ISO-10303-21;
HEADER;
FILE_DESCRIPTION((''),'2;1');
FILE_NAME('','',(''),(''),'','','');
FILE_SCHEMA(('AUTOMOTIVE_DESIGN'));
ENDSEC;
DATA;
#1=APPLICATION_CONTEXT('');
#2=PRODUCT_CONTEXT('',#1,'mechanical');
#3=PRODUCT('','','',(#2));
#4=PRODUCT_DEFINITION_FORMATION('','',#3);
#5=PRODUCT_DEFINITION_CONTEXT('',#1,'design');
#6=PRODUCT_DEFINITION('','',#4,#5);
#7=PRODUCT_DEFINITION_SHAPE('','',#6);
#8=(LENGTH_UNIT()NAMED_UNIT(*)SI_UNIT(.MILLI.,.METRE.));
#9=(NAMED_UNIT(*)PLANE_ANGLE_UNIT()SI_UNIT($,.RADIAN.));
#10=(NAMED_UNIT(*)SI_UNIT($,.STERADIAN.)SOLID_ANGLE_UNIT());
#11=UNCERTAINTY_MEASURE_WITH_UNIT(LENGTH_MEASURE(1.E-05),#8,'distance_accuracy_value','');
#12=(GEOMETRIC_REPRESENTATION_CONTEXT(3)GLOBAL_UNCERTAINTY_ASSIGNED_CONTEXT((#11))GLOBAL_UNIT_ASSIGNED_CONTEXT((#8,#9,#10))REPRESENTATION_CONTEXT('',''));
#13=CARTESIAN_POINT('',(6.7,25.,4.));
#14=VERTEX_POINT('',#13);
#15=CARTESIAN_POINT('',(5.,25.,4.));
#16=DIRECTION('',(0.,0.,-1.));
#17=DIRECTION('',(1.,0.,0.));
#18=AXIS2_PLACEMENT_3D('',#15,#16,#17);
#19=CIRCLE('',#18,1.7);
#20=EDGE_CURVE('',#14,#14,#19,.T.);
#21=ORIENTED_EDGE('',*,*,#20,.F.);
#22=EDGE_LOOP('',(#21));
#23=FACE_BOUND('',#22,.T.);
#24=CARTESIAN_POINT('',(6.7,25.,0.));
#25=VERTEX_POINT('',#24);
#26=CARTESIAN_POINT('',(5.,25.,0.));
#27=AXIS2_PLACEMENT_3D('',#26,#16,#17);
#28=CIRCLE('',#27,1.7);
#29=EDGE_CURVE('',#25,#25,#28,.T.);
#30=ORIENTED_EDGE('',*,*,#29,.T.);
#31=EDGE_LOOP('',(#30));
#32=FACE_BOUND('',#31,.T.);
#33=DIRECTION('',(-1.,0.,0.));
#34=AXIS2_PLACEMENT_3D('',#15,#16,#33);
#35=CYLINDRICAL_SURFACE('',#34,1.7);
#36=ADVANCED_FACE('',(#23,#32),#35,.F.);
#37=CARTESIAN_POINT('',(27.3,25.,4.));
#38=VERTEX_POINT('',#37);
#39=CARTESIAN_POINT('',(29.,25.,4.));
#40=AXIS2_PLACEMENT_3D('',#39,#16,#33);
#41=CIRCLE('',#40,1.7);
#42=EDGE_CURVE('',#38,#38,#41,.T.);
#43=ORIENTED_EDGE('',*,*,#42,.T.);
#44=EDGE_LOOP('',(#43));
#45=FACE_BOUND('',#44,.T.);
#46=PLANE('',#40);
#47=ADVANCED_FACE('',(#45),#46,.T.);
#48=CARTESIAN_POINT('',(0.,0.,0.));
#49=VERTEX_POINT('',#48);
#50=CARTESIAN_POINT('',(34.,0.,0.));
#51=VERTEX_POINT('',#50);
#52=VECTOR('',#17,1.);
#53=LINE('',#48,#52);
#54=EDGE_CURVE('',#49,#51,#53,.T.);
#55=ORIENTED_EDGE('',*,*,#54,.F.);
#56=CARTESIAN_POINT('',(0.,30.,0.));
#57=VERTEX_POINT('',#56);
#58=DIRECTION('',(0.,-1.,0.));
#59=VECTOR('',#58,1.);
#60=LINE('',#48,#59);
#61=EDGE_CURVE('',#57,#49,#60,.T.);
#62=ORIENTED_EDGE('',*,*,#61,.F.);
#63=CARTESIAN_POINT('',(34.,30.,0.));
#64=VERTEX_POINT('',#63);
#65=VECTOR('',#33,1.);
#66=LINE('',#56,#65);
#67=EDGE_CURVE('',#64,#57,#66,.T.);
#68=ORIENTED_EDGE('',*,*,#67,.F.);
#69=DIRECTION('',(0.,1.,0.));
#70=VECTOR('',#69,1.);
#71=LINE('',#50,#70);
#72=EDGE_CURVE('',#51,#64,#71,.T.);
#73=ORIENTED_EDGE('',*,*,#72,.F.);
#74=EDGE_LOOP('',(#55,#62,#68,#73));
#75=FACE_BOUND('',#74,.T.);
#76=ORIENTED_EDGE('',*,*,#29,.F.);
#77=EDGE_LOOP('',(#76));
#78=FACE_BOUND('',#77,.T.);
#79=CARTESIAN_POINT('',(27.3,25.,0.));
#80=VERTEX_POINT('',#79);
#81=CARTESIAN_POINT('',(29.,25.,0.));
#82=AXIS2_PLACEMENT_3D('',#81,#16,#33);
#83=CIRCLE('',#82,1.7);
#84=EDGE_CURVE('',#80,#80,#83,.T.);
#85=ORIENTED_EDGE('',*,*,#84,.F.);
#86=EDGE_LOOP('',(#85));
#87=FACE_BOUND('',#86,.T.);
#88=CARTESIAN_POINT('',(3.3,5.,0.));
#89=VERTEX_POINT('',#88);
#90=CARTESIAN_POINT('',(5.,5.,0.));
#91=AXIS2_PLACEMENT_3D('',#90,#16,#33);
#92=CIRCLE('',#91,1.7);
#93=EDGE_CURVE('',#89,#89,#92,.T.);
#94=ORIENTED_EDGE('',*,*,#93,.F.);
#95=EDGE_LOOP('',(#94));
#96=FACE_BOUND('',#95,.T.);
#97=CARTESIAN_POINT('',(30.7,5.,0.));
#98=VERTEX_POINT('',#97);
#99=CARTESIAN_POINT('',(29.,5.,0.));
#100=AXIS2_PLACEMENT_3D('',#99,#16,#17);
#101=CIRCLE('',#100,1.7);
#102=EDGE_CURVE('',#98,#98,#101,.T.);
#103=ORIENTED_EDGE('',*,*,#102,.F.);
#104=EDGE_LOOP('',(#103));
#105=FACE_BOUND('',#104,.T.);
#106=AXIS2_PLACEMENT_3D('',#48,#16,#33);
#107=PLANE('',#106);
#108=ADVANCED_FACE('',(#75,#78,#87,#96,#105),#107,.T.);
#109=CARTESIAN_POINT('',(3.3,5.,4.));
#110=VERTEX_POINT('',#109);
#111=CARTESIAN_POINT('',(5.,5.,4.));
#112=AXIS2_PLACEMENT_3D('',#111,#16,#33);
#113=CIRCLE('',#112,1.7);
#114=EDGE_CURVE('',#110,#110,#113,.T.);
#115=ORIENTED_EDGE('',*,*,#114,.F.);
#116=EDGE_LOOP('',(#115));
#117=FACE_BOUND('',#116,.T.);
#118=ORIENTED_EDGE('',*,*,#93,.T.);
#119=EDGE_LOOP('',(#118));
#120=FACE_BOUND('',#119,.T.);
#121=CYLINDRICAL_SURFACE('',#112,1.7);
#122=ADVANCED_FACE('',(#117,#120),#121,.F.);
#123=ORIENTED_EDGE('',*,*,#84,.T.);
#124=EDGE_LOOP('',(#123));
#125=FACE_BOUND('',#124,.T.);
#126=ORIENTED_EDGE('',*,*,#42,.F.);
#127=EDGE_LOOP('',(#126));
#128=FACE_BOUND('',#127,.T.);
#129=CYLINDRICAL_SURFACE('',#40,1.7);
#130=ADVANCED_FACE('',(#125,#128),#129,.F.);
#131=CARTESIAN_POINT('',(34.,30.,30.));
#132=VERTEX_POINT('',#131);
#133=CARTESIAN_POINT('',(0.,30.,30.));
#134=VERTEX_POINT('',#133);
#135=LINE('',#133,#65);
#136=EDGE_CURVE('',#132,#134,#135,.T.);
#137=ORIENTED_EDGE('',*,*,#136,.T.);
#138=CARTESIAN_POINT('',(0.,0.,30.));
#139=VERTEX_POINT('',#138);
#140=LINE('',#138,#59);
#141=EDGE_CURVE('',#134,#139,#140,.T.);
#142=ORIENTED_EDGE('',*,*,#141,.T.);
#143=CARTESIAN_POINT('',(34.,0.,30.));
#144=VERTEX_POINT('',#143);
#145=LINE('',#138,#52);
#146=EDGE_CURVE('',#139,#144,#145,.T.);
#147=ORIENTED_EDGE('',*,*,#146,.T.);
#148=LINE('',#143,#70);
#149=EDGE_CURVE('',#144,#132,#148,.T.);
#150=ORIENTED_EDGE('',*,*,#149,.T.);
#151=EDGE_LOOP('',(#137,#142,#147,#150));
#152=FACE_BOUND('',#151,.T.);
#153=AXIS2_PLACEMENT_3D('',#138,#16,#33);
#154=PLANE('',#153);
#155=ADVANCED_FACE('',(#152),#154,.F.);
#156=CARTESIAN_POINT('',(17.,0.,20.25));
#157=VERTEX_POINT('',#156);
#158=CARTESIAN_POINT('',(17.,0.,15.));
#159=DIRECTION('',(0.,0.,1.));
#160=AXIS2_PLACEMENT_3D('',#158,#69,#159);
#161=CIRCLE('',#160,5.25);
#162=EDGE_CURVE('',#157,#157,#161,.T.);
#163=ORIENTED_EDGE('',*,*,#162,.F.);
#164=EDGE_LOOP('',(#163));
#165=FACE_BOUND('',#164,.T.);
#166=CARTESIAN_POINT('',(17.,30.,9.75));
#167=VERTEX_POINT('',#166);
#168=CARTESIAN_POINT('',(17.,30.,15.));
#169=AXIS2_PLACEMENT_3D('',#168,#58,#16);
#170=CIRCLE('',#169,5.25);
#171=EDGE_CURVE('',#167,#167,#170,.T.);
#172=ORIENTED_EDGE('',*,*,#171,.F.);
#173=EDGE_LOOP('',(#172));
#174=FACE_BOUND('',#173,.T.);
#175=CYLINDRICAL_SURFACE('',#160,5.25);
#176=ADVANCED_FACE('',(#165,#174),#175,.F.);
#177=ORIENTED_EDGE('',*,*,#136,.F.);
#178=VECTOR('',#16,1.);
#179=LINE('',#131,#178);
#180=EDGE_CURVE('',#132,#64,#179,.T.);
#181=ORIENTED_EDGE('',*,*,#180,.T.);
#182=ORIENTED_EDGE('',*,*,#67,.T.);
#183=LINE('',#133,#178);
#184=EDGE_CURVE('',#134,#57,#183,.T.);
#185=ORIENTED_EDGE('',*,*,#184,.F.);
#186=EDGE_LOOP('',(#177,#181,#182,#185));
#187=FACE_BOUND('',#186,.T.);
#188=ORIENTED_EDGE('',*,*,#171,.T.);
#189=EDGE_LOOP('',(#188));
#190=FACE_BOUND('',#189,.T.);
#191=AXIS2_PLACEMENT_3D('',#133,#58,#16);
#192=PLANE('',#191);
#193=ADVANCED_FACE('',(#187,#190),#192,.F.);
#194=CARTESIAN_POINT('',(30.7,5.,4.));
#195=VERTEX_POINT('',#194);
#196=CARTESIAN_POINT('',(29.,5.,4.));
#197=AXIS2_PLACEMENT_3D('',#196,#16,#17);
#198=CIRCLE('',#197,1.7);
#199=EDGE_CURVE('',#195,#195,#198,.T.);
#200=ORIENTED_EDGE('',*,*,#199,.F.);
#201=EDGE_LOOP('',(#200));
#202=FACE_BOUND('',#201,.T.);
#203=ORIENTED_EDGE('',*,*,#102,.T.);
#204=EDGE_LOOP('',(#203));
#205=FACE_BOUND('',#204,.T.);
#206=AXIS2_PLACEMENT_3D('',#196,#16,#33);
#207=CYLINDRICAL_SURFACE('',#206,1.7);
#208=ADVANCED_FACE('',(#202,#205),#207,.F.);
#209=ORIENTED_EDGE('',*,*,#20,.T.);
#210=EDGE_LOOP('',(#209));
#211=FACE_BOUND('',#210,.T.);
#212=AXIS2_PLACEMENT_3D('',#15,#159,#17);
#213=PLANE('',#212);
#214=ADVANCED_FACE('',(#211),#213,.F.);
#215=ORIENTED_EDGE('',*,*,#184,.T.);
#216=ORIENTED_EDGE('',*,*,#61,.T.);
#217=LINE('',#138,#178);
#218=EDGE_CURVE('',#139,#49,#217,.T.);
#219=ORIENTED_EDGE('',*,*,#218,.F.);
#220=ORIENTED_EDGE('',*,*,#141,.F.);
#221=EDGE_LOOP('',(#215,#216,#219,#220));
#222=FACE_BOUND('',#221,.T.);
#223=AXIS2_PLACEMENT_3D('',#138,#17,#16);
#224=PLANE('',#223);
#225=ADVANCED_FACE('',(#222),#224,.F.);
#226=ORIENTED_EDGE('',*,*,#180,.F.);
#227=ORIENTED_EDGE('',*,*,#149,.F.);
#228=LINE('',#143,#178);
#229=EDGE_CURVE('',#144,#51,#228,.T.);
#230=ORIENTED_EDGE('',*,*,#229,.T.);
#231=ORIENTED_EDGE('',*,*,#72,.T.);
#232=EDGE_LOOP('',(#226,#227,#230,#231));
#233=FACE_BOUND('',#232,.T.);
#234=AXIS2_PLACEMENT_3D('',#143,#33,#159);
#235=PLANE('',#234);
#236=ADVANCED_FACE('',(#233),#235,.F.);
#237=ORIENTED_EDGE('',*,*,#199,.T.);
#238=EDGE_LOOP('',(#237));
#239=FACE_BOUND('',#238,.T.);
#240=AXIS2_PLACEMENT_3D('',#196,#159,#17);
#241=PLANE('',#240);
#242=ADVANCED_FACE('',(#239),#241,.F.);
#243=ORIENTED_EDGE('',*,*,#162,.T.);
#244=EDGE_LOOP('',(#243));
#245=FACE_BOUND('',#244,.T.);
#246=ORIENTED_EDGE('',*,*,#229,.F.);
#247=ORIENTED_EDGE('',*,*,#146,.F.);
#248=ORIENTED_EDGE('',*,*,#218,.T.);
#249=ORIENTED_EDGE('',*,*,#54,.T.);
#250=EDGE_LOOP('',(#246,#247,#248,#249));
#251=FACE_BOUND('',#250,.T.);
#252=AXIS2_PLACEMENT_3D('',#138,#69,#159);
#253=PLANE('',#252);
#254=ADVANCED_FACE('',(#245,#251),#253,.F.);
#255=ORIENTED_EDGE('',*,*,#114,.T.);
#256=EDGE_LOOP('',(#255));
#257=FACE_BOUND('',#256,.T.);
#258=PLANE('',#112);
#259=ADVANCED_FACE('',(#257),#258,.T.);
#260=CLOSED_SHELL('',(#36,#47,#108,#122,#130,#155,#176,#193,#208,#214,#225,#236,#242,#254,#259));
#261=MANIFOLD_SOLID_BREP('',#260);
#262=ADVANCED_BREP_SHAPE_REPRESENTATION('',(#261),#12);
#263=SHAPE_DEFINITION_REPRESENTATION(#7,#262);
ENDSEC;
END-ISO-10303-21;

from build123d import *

# Parameters (mm, degrees)
SKETCH_1_W               = 34
SKETCH_1_H               = 30
EXTRUDE_1_DEPTH          = 30
CUT_EXTRUDE_1_DEPTH      = 55.369108876
CUT_EXTRUDE_1_DEPTH_BACK = 55.369108876
SKETCH_2_R               = 5.25
SKETCH_3_R               = 1.7
CUT_EXTRUDE_2_DEPTH      = 4


with BuildPart() as part:
    # 草图1 → 凸台-拉伸1 (new body)
    with BuildSketch(Plane.XY):
        with Locations((17, 15)):
            Rectangle(SKETCH_1_W, SKETCH_1_H)
    extrude(amount=EXTRUDE_1_DEPTH)

    # 草图2 → 切除-拉伸1 (cut, two sides: drawn at the far end of the back side and taken through both)
    with BuildSketch(Plane(origin=(0, 30, 0), x_dir=(1, 0, 0), z_dir=(0, 1, 0)).offset(-CUT_EXTRUDE_1_DEPTH_BACK)):
        with Locations(Location((17, -15, 0), (0, 0, 270))):
            Circle(SKETCH_2_R)
    extrude(amount=CUT_EXTRUDE_1_DEPTH + CUT_EXTRUDE_1_DEPTH_BACK, mode=Mode.SUBTRACT)

    # 草图3 → 切除-拉伸2 (cut)
    with BuildSketch(Plane(origin=(0, 0, 0), x_dir=(-1, 0, 0), z_dir=(0, 0, -1))):
        with Locations((-29, 25)):
            Circle(SKETCH_3_R)
        with Locations(Location((-29, 5, 0), (0, 0, 180))):
            Circle(SKETCH_3_R)
        with Locations((-5, 5)):
            Circle(SKETCH_3_R)
        with Locations(Location((-5, 25, 0), (0, 0, 180))):
            Circle(SKETCH_3_R)
    extrude(amount=-CUT_EXTRUDE_2_DEPTH, mode=Mode.SUBTRACT)


solid = part.part
